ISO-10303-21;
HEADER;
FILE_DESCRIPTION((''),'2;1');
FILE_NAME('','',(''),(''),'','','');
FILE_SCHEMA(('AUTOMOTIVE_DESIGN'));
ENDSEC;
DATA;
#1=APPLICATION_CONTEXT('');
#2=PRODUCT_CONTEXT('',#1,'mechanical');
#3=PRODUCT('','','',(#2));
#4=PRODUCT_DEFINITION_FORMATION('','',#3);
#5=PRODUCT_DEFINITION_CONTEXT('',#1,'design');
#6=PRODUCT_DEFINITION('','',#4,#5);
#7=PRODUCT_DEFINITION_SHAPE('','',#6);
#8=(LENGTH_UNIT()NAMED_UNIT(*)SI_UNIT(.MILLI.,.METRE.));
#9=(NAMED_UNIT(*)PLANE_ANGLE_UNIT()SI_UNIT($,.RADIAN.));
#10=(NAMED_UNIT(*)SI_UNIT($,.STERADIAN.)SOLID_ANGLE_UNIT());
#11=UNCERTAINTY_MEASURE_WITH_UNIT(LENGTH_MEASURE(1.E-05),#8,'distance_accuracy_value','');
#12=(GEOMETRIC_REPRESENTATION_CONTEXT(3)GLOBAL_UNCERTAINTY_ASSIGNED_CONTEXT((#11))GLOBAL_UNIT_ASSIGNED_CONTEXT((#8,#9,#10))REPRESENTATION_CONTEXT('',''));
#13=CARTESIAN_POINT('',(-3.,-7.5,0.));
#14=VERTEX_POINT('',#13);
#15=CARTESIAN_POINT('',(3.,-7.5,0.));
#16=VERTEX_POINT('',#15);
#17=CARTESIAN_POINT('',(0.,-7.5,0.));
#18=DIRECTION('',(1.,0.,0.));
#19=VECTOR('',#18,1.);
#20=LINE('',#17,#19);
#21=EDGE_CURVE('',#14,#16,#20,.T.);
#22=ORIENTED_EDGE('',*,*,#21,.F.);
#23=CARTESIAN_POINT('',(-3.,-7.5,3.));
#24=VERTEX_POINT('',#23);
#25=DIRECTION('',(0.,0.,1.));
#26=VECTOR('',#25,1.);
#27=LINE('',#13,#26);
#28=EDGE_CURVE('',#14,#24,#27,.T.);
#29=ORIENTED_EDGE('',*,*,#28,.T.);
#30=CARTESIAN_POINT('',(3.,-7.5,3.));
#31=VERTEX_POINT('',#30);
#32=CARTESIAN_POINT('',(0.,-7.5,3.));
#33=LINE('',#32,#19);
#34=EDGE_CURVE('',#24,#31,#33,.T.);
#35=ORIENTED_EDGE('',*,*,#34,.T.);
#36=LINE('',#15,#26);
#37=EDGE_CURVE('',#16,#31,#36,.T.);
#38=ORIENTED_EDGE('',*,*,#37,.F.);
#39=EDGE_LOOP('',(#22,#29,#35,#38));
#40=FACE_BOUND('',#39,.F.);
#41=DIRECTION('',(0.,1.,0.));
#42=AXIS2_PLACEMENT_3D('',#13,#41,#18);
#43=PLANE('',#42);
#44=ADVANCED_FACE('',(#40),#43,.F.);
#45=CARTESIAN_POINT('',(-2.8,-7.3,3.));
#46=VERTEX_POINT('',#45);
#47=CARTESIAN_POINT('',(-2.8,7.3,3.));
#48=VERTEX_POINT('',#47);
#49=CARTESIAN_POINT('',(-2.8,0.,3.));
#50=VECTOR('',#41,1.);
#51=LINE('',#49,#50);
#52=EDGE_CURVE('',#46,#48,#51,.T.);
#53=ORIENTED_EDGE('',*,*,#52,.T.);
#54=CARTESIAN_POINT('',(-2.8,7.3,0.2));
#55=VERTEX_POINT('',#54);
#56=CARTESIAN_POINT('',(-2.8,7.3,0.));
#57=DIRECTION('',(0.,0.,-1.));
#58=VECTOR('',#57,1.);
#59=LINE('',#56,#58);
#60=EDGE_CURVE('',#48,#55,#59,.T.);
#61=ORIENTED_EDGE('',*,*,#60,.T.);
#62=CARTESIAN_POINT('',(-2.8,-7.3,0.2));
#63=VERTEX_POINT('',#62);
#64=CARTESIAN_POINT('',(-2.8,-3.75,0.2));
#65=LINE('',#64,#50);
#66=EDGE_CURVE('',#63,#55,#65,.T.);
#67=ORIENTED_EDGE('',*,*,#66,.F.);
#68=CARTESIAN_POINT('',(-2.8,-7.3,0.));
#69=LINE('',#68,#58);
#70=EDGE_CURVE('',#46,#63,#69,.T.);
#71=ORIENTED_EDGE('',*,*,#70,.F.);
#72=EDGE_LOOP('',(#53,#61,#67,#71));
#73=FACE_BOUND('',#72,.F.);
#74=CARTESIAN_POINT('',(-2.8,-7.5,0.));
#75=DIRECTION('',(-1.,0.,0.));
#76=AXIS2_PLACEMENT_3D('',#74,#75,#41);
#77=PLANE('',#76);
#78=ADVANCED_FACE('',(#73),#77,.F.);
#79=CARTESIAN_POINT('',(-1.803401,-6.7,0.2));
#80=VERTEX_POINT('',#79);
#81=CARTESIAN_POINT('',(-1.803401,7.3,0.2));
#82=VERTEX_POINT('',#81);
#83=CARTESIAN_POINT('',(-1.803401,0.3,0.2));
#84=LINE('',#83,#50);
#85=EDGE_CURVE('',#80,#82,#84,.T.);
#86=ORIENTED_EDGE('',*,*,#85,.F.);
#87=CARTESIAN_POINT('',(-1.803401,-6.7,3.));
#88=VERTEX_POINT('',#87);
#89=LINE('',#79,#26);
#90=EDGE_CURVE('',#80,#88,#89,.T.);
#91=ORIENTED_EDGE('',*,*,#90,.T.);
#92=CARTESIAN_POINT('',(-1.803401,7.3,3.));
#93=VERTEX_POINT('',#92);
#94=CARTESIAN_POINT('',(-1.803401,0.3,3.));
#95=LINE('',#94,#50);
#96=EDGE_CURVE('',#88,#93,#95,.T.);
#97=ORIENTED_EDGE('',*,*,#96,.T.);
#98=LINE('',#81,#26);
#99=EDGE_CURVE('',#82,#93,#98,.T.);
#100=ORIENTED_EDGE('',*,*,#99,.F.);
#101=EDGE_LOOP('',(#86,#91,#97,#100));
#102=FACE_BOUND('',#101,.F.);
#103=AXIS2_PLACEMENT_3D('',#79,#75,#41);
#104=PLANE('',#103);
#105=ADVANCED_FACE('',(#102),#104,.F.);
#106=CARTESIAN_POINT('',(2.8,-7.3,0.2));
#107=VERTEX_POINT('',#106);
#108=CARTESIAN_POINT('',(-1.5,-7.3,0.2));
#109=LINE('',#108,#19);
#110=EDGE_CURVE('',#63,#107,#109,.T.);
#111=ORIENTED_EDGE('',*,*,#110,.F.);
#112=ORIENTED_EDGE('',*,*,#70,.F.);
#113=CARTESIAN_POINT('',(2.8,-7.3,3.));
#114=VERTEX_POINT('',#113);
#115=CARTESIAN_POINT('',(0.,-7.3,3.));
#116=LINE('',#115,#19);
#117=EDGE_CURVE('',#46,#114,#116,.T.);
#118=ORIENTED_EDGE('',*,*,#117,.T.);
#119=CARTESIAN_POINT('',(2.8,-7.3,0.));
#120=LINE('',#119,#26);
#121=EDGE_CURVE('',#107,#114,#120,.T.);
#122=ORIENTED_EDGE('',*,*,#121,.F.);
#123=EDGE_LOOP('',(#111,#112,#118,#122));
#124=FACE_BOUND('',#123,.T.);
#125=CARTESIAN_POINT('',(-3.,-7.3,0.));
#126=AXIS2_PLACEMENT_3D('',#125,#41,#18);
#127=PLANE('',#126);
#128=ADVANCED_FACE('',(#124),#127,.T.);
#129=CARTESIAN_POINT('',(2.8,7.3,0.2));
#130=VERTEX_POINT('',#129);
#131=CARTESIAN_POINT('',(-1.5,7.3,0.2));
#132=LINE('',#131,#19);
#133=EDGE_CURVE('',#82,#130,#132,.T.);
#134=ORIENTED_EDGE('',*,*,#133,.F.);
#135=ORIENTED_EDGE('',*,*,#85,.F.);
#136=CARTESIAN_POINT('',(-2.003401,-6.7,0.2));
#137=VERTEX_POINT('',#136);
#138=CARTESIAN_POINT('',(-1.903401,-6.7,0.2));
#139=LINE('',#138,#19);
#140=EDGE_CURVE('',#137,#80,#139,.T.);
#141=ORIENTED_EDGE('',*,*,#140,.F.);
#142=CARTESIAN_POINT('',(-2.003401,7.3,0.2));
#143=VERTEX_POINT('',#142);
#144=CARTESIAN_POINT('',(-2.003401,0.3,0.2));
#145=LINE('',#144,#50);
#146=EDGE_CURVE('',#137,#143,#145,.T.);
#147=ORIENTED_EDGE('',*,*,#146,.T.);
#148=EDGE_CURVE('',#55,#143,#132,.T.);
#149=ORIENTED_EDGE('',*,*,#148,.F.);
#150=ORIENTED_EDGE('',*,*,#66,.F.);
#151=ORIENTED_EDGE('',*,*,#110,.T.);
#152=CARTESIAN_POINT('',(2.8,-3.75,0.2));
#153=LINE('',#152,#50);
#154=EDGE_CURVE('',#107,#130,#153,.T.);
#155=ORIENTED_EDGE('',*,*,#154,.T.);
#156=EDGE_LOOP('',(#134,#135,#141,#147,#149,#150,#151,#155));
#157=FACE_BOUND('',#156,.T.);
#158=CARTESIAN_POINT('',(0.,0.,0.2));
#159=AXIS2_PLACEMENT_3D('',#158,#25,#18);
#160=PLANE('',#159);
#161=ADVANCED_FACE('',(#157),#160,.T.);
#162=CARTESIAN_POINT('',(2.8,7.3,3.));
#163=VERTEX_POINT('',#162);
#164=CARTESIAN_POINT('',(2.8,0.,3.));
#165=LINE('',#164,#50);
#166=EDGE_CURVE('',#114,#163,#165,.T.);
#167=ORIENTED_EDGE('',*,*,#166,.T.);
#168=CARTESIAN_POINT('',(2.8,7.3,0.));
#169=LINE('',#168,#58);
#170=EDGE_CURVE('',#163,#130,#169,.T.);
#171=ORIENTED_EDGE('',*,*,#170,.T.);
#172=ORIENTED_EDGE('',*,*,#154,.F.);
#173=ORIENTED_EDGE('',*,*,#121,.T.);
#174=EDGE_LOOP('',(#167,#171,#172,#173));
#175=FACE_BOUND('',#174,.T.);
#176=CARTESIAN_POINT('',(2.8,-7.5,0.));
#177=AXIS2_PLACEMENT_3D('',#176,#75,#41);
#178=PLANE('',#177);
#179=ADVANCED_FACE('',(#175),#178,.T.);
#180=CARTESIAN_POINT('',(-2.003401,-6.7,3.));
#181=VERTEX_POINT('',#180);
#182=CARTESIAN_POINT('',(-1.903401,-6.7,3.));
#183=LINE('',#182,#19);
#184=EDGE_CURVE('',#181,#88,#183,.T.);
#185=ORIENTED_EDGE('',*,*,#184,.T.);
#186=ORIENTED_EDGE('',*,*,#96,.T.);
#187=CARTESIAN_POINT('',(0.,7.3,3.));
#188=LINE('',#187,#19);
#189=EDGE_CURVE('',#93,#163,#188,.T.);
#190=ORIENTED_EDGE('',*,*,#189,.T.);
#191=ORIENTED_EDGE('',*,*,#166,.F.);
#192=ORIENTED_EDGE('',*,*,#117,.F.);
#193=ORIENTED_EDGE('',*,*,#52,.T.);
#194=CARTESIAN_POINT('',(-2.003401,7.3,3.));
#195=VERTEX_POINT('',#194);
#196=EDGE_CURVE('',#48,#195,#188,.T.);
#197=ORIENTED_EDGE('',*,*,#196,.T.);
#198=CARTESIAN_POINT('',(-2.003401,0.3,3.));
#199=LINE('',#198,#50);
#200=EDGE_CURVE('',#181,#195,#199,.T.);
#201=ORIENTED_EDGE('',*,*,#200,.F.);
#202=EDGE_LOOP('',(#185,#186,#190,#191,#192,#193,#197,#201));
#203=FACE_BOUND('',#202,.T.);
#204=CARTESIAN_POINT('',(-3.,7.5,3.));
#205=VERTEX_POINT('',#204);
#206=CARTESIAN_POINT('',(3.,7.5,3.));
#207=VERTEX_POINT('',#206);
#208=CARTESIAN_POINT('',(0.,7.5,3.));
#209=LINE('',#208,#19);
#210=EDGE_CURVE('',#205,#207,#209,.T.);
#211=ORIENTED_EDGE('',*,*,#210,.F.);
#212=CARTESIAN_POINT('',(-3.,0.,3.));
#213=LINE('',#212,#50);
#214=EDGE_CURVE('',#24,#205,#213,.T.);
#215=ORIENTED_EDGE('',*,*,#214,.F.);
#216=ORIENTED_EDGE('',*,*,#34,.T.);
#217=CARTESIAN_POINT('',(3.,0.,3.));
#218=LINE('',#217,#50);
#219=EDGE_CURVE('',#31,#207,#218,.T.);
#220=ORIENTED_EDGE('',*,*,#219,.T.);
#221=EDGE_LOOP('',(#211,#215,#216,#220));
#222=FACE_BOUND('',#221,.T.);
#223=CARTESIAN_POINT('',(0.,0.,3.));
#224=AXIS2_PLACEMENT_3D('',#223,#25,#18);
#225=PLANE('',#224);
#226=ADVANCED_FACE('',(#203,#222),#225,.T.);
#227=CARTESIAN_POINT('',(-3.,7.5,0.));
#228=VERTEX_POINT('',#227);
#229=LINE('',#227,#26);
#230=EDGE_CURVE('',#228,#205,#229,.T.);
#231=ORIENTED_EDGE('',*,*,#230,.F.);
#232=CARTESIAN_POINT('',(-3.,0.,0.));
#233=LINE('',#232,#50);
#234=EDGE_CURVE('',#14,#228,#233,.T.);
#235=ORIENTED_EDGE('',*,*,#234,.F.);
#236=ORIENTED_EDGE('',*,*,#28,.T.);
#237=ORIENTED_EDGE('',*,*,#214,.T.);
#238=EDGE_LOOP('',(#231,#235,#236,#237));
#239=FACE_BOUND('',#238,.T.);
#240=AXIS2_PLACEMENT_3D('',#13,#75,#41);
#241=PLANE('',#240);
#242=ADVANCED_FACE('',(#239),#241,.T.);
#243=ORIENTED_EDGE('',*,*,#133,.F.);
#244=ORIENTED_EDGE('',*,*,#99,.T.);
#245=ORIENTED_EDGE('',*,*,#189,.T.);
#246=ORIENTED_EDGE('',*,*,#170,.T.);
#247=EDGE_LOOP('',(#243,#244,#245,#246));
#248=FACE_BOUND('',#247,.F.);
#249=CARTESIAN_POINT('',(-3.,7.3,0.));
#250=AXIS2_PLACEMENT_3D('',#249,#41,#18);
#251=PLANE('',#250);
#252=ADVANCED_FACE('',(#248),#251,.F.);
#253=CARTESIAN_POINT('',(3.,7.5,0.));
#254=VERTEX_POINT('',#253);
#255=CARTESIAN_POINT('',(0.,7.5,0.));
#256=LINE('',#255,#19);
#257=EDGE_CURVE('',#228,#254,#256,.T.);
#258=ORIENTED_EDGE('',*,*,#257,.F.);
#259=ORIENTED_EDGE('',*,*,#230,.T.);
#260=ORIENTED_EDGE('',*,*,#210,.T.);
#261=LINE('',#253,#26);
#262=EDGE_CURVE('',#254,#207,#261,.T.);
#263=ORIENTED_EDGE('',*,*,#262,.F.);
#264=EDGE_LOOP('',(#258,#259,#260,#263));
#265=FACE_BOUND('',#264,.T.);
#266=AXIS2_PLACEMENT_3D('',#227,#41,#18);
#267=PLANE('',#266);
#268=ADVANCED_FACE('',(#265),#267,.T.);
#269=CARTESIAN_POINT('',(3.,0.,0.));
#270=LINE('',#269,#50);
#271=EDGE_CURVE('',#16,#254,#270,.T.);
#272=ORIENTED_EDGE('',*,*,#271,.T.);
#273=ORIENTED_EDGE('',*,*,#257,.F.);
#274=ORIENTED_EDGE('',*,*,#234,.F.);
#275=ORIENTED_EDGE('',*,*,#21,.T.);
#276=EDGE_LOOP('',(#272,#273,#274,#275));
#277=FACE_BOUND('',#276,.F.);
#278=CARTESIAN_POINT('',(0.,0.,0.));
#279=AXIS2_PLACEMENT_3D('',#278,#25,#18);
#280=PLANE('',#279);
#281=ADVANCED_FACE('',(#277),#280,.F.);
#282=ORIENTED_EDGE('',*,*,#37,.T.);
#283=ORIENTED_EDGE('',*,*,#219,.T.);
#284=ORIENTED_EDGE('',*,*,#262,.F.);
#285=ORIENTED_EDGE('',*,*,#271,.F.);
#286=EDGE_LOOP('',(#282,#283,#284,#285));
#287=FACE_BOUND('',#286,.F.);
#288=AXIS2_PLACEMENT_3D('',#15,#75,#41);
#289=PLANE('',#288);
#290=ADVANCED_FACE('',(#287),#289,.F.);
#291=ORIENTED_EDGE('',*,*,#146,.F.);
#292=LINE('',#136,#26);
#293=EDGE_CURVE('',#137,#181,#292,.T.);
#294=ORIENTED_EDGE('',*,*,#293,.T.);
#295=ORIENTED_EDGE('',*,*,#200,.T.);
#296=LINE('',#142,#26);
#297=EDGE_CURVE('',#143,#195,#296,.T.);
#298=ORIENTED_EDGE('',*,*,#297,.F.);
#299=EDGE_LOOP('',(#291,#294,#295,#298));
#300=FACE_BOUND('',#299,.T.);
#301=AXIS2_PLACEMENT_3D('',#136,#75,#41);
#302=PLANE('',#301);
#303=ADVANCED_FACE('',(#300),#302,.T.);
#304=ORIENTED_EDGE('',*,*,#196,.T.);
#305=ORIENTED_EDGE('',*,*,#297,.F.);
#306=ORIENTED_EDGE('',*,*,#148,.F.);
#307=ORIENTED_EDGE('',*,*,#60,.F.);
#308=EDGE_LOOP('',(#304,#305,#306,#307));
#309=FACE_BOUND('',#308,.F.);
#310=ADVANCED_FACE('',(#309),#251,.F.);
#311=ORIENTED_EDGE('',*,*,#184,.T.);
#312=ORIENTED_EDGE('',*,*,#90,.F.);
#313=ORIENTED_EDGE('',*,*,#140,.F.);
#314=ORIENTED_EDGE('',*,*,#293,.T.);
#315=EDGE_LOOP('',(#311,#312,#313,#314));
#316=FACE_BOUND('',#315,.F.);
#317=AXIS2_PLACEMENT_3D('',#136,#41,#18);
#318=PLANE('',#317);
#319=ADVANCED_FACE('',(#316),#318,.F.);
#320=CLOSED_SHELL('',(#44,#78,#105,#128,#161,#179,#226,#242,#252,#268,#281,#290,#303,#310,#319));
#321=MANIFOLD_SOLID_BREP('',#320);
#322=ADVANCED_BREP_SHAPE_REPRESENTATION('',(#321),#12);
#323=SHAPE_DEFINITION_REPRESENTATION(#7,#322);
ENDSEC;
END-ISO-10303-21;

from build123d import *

# Parameters (mm, degrees)
F0_W     = 6
F0_H     = 15
F1_DEPTH = 3
F2_T     = -0.2
F3_W     = 0.2
F3_H     = 14
F4_DEPTH = 2.8


with BuildPart() as f1:
    # F0 (on Top) → F1 (new body)
    with BuildSketch(Plane.XY):
        Rectangle(F0_W, F0_H)
    extrude(amount=F1_DEPTH)

    # F2
    f2_openings = [f1.faces().sort_by_distance(p)[0] for p in [
        (0, 0, 3),
    ]]
    offset(amount=F2_T, openings=f2_openings)

    # F3 (on face) → F4 (join)
    with BuildSketch(Plane.XY.offset(0.2)):
        with Locations((-1.903401, 0.3)):
            Rectangle(F3_W, F3_H)
    extrude(amount=F4_DEPTH)


solid = f1.part
